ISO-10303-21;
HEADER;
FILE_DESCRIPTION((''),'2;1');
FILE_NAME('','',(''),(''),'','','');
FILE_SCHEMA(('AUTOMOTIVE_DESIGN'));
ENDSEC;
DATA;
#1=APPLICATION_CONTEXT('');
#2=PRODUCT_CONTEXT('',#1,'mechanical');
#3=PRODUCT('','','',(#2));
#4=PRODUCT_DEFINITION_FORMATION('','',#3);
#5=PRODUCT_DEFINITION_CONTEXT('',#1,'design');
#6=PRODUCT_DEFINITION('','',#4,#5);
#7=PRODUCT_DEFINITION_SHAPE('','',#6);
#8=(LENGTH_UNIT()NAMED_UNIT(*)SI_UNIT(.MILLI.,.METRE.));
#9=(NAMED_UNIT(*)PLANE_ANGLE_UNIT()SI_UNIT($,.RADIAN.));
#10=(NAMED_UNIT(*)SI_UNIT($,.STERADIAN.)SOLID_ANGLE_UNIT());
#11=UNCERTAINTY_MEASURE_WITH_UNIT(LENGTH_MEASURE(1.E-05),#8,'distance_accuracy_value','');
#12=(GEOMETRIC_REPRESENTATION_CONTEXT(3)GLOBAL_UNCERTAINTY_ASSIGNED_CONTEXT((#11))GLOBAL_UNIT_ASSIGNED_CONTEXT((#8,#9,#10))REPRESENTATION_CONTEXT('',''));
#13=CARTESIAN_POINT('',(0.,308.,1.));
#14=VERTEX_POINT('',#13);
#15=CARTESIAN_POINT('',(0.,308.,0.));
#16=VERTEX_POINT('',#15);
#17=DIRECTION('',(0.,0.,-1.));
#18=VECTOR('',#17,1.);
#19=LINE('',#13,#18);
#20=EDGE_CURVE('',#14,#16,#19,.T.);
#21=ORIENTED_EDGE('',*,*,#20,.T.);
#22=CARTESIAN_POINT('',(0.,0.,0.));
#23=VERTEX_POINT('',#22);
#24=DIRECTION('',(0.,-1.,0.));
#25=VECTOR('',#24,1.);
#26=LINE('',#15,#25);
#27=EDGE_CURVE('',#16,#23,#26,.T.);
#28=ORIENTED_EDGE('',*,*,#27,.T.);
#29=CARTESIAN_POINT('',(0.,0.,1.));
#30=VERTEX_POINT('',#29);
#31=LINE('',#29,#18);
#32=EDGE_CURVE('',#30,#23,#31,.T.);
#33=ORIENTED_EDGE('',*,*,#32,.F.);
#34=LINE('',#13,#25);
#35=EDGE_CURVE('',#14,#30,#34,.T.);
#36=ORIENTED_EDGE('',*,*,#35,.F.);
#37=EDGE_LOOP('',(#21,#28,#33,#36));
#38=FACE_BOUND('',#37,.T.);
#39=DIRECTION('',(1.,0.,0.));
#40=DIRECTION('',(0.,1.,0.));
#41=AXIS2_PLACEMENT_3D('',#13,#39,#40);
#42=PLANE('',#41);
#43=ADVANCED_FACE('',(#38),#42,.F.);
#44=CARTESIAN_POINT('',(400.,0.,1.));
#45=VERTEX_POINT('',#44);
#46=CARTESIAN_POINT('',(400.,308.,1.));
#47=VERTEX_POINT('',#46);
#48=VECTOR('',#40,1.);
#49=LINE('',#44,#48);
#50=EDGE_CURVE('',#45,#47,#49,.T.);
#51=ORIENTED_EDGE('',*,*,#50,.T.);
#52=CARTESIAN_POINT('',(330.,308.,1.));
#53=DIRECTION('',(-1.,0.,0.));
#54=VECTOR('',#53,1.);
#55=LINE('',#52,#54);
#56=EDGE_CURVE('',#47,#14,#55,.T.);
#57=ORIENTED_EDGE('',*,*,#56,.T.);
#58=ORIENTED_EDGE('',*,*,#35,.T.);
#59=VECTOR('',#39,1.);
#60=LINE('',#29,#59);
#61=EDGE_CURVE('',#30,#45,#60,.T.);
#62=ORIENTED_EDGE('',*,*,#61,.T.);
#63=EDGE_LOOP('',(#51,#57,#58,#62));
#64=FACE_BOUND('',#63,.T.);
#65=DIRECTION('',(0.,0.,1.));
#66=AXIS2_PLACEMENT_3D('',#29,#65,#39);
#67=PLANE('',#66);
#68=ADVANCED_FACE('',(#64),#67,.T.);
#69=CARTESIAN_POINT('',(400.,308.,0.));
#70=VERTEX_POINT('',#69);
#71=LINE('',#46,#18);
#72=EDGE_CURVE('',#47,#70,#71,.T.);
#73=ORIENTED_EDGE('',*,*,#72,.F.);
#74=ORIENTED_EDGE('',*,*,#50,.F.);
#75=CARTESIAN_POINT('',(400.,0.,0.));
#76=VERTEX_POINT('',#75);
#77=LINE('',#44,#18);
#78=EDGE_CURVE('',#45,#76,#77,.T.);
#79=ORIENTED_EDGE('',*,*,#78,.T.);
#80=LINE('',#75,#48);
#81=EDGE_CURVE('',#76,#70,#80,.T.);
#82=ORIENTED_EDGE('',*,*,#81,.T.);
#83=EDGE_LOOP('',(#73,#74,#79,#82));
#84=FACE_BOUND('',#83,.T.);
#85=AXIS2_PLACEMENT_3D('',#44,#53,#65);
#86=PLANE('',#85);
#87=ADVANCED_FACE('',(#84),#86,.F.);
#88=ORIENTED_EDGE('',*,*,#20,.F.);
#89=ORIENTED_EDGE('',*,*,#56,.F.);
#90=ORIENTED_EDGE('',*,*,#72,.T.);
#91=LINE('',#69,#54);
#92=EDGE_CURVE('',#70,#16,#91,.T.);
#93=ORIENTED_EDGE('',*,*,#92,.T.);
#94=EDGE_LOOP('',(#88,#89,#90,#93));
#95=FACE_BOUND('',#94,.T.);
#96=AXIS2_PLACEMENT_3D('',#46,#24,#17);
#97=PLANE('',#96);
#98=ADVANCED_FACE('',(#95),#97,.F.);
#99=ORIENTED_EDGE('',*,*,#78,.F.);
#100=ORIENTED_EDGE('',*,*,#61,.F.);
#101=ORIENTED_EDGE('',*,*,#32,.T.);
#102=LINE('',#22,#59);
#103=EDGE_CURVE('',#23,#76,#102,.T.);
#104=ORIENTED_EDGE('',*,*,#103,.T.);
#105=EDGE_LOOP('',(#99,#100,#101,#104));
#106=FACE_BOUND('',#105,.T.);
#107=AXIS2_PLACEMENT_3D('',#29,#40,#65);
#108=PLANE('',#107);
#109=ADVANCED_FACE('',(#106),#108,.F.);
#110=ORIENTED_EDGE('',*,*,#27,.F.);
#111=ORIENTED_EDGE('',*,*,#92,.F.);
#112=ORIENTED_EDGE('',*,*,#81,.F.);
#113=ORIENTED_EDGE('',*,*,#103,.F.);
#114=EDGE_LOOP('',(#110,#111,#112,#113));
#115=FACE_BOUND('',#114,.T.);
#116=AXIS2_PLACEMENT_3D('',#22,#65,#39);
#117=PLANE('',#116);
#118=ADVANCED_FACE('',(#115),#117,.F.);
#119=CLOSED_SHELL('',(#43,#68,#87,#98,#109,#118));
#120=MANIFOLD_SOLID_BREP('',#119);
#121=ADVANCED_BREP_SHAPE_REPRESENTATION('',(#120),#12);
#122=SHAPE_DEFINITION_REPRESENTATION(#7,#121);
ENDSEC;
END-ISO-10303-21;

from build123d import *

# Parameters (mm, degrees)
EXTRUDE_1_DEPTH = 1


with BuildPart() as part:
    # 스케치1 → 보스-돌출1 (new body)
    with BuildSketch(Plane.XY):
        Polygon((0, 0), (400, 0), (400, 308), (330, 308), (20, 308), (0, 308), align=None)
    extrude(amount=EXTRUDE_1_DEPTH)


solid = part.part
